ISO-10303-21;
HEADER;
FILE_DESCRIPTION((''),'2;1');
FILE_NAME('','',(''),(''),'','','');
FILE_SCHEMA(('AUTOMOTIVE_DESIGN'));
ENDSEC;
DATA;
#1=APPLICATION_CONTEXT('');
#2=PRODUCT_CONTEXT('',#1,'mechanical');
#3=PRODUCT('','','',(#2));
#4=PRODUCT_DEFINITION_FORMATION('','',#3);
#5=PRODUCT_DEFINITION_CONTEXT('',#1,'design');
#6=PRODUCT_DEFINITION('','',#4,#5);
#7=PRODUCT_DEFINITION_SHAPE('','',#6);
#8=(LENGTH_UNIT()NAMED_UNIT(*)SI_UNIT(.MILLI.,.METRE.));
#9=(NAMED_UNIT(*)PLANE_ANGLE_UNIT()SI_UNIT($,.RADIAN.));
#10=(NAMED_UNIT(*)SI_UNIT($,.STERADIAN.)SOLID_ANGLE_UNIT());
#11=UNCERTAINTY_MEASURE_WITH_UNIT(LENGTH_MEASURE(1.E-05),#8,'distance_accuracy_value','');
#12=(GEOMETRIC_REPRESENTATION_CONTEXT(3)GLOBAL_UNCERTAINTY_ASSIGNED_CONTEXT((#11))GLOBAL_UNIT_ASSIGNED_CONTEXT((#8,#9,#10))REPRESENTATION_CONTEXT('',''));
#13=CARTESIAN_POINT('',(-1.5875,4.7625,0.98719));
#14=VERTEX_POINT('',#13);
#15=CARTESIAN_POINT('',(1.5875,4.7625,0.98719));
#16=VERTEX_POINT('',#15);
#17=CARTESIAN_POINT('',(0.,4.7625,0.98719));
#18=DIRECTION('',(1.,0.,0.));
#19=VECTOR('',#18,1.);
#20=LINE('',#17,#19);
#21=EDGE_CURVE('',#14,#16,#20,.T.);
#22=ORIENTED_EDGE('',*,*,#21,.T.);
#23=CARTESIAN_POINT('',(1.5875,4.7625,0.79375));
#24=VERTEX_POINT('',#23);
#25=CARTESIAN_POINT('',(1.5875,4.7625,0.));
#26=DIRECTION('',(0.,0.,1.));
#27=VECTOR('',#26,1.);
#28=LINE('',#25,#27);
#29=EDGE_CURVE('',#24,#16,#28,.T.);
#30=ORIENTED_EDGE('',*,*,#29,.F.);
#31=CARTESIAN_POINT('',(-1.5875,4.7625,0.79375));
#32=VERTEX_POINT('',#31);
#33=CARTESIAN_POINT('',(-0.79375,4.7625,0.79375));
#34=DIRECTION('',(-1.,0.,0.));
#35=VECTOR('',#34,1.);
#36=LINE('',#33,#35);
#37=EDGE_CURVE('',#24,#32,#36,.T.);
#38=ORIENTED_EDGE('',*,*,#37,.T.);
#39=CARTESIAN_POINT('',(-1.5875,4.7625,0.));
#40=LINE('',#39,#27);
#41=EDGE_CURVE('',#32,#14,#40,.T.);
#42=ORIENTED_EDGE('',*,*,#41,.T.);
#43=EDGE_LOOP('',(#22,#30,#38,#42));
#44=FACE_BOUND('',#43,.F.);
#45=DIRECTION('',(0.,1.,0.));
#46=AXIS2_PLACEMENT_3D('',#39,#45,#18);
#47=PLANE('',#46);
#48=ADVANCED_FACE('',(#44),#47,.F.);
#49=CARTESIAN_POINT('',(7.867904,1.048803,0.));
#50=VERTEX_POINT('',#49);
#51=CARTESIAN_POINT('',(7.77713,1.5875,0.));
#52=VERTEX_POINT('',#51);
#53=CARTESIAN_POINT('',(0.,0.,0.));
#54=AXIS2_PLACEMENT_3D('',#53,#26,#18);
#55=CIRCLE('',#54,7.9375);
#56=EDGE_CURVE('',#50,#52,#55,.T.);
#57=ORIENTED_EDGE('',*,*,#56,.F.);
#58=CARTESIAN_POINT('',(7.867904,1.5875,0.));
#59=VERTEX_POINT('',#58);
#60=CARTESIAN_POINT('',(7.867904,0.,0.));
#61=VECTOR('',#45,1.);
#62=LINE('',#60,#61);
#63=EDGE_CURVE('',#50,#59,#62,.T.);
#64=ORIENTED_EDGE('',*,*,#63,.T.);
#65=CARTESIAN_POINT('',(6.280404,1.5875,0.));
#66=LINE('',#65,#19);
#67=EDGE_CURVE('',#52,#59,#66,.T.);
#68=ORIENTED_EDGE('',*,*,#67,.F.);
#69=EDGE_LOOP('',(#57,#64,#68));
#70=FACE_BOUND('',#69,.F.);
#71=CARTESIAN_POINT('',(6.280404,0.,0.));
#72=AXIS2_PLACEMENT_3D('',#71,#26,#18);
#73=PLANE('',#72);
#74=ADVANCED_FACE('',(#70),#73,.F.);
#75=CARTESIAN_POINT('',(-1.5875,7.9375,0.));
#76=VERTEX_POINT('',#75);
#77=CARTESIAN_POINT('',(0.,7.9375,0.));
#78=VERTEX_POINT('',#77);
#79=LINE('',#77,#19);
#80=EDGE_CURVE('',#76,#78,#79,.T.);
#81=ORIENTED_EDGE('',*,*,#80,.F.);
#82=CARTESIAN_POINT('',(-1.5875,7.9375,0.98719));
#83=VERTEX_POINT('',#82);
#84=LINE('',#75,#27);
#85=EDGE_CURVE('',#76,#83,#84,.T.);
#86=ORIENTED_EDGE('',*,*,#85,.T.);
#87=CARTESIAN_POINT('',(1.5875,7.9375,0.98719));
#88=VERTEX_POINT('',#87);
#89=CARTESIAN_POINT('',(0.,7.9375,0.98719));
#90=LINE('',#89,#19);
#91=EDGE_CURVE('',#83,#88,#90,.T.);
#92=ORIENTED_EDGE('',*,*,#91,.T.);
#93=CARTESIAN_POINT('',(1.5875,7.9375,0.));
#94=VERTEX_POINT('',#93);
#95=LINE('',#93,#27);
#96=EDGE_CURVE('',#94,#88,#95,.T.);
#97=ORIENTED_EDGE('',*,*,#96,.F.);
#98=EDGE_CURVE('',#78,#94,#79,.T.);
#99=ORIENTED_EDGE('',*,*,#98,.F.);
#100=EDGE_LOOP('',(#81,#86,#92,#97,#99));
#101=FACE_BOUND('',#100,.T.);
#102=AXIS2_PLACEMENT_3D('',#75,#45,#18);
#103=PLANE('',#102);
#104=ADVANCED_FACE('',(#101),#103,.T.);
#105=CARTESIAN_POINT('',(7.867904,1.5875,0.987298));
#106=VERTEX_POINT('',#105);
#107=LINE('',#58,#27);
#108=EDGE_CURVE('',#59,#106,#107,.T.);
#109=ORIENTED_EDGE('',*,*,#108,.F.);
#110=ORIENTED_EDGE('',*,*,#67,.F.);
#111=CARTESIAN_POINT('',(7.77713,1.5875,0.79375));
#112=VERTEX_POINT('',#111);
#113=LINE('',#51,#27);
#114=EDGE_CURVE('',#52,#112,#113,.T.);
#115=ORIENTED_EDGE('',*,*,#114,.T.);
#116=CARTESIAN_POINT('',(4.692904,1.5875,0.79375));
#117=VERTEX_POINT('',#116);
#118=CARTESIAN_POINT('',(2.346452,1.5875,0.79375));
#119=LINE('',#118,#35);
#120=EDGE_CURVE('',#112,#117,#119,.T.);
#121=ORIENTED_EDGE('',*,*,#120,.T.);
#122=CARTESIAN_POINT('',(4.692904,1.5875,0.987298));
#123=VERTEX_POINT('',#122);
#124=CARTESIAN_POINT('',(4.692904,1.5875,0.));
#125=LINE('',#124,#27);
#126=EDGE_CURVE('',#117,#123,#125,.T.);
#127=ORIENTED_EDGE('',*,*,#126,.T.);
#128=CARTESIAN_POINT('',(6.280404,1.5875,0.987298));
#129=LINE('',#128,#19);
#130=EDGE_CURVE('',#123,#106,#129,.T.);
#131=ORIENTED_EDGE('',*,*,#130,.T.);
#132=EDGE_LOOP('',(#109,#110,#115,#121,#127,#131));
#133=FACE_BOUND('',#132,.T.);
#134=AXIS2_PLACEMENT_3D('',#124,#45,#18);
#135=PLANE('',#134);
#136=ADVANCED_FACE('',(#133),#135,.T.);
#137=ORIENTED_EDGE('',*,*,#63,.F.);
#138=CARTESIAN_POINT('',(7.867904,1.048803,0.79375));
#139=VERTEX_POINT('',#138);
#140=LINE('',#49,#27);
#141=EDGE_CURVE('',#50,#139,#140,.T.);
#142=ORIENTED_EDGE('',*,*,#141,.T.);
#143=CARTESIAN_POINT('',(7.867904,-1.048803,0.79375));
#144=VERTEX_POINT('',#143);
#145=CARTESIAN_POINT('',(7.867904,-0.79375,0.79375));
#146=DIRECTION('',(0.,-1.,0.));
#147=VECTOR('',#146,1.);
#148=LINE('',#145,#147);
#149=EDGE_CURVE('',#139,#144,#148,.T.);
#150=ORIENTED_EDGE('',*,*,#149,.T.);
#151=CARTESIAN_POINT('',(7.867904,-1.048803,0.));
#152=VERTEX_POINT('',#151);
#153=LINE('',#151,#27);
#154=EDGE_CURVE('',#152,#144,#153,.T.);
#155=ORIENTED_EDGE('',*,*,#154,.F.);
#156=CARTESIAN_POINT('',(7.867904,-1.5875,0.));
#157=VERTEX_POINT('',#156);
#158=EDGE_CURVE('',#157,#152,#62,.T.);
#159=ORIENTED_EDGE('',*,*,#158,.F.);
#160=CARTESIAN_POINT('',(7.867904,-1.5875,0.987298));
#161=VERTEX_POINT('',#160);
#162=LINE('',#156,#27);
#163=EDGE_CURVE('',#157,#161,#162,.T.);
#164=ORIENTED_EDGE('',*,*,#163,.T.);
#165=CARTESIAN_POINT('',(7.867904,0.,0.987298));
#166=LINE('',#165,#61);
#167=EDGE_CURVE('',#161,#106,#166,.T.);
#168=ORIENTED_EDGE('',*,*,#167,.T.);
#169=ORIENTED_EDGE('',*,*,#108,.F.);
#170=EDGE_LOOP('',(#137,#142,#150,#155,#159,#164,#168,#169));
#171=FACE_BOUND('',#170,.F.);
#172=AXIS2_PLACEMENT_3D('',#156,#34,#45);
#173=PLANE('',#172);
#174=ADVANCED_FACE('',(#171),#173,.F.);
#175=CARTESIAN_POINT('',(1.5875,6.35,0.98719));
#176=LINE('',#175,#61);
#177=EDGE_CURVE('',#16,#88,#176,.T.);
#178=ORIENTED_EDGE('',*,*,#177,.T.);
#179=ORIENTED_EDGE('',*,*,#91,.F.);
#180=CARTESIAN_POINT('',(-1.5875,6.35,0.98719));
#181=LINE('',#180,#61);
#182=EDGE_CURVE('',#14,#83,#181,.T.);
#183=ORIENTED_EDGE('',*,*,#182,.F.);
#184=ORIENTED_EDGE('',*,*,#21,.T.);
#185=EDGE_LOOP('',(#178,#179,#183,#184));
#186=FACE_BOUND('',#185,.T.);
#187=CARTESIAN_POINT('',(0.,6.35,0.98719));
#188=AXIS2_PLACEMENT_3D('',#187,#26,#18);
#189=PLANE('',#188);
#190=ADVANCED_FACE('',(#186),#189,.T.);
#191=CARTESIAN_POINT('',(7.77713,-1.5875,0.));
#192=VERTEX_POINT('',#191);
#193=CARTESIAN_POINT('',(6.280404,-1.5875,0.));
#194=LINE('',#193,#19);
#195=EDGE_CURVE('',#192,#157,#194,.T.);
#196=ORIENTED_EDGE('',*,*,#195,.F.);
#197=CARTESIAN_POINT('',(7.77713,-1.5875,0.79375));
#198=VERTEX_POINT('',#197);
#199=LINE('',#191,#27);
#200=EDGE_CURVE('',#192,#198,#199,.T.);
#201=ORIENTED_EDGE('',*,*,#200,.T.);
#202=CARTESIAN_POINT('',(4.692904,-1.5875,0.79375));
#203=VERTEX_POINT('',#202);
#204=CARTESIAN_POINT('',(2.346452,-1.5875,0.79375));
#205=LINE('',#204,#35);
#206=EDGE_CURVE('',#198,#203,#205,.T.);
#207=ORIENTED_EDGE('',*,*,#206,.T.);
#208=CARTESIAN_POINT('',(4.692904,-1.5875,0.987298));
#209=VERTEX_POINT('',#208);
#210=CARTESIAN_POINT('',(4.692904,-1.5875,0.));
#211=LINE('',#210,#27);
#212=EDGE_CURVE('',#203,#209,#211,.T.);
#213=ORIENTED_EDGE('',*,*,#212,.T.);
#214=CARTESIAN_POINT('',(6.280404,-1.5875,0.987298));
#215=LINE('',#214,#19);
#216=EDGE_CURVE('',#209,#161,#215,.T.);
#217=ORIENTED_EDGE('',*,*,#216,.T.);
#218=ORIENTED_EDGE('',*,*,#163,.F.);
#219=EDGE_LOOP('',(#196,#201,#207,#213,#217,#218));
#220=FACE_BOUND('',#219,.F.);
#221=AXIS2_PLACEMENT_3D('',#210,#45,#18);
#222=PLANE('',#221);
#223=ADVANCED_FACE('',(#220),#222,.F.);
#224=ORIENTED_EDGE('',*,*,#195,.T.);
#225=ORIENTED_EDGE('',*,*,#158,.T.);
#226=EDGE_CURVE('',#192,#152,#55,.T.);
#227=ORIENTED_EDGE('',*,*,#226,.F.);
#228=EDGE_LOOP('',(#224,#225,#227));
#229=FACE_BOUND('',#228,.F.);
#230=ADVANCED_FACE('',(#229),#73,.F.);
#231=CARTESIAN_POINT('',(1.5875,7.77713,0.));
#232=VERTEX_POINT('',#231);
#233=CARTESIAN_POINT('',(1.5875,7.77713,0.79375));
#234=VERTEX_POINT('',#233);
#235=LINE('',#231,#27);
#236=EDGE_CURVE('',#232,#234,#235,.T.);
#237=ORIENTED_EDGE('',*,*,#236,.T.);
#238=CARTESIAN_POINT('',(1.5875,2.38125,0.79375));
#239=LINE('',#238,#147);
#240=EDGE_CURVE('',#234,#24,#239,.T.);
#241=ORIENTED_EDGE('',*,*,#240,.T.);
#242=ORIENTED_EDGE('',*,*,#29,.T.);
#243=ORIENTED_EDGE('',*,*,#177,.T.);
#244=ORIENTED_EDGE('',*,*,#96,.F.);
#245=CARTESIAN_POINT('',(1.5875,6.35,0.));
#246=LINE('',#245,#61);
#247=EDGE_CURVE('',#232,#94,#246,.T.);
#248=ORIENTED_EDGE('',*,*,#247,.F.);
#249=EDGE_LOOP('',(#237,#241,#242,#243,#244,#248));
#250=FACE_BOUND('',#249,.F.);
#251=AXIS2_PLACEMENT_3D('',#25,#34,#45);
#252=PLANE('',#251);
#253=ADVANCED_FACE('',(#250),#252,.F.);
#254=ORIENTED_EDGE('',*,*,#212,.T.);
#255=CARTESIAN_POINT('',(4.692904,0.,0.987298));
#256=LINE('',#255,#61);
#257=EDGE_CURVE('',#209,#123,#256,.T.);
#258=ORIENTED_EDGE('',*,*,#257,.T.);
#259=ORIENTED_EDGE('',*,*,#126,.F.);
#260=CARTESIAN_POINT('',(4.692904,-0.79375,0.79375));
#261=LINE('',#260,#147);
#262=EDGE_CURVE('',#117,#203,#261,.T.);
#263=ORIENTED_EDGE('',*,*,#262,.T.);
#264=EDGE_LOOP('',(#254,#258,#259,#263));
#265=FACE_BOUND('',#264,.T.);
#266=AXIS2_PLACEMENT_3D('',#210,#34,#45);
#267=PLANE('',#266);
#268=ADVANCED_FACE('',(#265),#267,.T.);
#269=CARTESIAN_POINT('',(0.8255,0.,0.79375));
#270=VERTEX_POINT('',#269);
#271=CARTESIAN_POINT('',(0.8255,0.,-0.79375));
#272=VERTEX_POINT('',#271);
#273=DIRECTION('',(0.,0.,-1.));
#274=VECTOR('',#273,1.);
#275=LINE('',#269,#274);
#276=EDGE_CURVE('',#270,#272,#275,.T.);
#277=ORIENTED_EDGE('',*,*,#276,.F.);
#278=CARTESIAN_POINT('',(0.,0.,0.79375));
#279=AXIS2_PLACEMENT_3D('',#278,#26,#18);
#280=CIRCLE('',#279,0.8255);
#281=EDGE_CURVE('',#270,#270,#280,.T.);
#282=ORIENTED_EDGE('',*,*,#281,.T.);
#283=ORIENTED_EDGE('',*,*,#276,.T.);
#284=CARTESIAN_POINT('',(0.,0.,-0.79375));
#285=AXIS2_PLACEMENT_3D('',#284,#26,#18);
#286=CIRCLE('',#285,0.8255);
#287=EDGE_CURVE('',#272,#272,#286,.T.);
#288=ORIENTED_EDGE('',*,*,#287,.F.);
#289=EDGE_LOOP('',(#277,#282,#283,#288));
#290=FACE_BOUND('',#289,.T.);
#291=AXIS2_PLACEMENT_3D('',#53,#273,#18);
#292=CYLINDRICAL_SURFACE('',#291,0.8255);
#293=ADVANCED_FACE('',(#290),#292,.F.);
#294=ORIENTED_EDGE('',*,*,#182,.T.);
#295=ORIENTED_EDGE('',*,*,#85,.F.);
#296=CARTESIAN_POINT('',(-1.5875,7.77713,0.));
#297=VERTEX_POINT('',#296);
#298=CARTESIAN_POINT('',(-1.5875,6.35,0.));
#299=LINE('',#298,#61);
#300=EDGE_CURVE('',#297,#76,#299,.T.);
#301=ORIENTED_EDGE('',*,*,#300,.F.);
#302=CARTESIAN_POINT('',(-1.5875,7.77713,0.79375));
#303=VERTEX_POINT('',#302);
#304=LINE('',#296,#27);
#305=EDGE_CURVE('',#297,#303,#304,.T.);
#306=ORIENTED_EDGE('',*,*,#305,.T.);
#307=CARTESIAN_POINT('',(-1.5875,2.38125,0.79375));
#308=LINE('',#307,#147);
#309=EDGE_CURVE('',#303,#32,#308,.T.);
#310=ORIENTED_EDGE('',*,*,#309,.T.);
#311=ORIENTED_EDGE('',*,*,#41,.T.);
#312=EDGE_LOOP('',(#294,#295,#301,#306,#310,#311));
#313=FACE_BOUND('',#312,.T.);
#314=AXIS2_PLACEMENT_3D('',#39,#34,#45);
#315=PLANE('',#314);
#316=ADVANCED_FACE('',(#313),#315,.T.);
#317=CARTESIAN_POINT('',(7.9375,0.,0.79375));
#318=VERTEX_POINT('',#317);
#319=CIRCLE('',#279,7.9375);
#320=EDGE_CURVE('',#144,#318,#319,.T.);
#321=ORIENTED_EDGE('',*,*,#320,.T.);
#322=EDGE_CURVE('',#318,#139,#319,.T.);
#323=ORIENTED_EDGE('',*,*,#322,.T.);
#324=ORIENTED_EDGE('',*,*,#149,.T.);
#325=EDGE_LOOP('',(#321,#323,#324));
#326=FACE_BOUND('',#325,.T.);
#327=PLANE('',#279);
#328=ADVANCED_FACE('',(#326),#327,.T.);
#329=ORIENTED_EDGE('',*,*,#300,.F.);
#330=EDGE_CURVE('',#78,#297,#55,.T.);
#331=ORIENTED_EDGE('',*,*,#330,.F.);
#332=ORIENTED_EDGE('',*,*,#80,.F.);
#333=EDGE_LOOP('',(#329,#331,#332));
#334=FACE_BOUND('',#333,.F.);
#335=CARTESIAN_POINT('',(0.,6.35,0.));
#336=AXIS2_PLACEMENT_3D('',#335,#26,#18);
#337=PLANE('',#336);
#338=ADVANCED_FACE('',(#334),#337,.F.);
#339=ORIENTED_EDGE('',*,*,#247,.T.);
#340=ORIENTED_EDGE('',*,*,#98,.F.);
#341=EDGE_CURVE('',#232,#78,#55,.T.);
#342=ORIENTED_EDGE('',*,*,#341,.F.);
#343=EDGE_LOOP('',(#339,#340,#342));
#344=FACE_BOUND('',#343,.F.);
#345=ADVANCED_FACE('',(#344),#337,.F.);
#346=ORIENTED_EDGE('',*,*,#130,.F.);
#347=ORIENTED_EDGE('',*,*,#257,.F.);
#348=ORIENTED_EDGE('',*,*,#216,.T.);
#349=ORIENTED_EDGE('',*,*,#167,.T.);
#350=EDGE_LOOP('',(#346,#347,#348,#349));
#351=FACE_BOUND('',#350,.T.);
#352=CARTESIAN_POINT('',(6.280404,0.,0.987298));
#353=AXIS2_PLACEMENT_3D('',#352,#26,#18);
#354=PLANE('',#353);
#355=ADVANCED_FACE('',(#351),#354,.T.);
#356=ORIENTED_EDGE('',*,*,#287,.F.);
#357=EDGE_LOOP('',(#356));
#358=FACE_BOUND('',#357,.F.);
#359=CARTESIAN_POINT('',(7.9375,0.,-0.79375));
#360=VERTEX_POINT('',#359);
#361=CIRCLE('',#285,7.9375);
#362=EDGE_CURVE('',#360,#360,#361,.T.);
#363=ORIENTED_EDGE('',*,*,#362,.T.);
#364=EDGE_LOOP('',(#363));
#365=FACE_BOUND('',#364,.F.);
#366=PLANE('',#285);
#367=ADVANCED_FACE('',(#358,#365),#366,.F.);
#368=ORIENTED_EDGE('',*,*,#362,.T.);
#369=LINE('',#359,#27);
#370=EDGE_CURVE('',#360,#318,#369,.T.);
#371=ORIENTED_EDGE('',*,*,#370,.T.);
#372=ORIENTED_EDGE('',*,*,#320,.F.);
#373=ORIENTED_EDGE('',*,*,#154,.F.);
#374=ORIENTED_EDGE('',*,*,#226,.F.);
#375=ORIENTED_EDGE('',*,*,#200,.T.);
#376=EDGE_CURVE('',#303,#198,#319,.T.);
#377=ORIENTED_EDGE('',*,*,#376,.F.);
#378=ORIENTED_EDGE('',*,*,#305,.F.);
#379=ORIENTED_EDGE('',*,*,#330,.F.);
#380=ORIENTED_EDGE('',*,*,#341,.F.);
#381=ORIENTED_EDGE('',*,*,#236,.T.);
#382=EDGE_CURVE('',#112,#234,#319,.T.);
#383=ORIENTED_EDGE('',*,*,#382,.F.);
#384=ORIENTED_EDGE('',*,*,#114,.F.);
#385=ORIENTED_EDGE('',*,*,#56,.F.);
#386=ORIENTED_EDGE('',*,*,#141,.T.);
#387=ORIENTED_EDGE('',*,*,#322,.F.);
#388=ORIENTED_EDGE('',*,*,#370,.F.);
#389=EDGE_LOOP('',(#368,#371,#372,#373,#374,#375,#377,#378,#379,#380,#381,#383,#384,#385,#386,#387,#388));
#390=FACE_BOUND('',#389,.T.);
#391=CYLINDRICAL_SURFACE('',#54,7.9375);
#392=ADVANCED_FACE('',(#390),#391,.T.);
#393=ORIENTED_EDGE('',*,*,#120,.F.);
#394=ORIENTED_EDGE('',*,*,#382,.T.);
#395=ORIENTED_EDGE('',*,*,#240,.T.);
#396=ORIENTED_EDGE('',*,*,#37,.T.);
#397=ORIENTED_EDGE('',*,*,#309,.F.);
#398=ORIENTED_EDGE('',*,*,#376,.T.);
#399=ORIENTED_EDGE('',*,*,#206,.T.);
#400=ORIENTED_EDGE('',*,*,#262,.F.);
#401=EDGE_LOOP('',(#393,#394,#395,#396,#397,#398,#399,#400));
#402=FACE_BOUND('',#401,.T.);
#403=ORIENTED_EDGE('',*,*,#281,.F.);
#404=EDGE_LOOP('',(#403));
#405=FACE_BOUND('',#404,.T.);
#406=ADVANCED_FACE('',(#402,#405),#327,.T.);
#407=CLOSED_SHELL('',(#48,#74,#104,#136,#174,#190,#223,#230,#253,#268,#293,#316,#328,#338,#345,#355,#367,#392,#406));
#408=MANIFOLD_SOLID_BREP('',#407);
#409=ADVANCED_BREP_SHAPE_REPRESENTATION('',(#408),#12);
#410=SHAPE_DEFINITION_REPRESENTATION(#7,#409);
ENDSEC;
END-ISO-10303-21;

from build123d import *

# Parameters (mm, degrees)
F0_R     = 7.9375
F0_R_2   = 0.8255
F1_DEPTH = 0.79375
F2_W     = 3.175
F2_H     = 3.175
F3_DEPTH = 0.9871898219
F4_W     = 3.175
F4_H     = 3.175
F5_DEPTH = 0.987298


with BuildPart() as f1:
    # F0 (on Top) → F1 (new body, symmetric)
    with BuildSketch(Plane.XY):
        Circle(F0_R)
        Circle(F0_R_2, mode=Mode.SUBTRACT)
    extrude(amount=F1_DEPTH, both=True)

    # F2 (on Top) → F3 (join)
    with BuildSketch(Plane.XY):
        with Locations((0, 6.35)):
            Rectangle(F2_W, F2_H)
    extrude(amount=F3_DEPTH)

    # F4 (on Top) → F5 (join)
    with BuildSketch(Plane.XY):
        with Locations((6.2804043693, 0)):
            Rectangle(F4_W, F4_H)
    extrude(amount=F5_DEPTH)


solid = f1.part
